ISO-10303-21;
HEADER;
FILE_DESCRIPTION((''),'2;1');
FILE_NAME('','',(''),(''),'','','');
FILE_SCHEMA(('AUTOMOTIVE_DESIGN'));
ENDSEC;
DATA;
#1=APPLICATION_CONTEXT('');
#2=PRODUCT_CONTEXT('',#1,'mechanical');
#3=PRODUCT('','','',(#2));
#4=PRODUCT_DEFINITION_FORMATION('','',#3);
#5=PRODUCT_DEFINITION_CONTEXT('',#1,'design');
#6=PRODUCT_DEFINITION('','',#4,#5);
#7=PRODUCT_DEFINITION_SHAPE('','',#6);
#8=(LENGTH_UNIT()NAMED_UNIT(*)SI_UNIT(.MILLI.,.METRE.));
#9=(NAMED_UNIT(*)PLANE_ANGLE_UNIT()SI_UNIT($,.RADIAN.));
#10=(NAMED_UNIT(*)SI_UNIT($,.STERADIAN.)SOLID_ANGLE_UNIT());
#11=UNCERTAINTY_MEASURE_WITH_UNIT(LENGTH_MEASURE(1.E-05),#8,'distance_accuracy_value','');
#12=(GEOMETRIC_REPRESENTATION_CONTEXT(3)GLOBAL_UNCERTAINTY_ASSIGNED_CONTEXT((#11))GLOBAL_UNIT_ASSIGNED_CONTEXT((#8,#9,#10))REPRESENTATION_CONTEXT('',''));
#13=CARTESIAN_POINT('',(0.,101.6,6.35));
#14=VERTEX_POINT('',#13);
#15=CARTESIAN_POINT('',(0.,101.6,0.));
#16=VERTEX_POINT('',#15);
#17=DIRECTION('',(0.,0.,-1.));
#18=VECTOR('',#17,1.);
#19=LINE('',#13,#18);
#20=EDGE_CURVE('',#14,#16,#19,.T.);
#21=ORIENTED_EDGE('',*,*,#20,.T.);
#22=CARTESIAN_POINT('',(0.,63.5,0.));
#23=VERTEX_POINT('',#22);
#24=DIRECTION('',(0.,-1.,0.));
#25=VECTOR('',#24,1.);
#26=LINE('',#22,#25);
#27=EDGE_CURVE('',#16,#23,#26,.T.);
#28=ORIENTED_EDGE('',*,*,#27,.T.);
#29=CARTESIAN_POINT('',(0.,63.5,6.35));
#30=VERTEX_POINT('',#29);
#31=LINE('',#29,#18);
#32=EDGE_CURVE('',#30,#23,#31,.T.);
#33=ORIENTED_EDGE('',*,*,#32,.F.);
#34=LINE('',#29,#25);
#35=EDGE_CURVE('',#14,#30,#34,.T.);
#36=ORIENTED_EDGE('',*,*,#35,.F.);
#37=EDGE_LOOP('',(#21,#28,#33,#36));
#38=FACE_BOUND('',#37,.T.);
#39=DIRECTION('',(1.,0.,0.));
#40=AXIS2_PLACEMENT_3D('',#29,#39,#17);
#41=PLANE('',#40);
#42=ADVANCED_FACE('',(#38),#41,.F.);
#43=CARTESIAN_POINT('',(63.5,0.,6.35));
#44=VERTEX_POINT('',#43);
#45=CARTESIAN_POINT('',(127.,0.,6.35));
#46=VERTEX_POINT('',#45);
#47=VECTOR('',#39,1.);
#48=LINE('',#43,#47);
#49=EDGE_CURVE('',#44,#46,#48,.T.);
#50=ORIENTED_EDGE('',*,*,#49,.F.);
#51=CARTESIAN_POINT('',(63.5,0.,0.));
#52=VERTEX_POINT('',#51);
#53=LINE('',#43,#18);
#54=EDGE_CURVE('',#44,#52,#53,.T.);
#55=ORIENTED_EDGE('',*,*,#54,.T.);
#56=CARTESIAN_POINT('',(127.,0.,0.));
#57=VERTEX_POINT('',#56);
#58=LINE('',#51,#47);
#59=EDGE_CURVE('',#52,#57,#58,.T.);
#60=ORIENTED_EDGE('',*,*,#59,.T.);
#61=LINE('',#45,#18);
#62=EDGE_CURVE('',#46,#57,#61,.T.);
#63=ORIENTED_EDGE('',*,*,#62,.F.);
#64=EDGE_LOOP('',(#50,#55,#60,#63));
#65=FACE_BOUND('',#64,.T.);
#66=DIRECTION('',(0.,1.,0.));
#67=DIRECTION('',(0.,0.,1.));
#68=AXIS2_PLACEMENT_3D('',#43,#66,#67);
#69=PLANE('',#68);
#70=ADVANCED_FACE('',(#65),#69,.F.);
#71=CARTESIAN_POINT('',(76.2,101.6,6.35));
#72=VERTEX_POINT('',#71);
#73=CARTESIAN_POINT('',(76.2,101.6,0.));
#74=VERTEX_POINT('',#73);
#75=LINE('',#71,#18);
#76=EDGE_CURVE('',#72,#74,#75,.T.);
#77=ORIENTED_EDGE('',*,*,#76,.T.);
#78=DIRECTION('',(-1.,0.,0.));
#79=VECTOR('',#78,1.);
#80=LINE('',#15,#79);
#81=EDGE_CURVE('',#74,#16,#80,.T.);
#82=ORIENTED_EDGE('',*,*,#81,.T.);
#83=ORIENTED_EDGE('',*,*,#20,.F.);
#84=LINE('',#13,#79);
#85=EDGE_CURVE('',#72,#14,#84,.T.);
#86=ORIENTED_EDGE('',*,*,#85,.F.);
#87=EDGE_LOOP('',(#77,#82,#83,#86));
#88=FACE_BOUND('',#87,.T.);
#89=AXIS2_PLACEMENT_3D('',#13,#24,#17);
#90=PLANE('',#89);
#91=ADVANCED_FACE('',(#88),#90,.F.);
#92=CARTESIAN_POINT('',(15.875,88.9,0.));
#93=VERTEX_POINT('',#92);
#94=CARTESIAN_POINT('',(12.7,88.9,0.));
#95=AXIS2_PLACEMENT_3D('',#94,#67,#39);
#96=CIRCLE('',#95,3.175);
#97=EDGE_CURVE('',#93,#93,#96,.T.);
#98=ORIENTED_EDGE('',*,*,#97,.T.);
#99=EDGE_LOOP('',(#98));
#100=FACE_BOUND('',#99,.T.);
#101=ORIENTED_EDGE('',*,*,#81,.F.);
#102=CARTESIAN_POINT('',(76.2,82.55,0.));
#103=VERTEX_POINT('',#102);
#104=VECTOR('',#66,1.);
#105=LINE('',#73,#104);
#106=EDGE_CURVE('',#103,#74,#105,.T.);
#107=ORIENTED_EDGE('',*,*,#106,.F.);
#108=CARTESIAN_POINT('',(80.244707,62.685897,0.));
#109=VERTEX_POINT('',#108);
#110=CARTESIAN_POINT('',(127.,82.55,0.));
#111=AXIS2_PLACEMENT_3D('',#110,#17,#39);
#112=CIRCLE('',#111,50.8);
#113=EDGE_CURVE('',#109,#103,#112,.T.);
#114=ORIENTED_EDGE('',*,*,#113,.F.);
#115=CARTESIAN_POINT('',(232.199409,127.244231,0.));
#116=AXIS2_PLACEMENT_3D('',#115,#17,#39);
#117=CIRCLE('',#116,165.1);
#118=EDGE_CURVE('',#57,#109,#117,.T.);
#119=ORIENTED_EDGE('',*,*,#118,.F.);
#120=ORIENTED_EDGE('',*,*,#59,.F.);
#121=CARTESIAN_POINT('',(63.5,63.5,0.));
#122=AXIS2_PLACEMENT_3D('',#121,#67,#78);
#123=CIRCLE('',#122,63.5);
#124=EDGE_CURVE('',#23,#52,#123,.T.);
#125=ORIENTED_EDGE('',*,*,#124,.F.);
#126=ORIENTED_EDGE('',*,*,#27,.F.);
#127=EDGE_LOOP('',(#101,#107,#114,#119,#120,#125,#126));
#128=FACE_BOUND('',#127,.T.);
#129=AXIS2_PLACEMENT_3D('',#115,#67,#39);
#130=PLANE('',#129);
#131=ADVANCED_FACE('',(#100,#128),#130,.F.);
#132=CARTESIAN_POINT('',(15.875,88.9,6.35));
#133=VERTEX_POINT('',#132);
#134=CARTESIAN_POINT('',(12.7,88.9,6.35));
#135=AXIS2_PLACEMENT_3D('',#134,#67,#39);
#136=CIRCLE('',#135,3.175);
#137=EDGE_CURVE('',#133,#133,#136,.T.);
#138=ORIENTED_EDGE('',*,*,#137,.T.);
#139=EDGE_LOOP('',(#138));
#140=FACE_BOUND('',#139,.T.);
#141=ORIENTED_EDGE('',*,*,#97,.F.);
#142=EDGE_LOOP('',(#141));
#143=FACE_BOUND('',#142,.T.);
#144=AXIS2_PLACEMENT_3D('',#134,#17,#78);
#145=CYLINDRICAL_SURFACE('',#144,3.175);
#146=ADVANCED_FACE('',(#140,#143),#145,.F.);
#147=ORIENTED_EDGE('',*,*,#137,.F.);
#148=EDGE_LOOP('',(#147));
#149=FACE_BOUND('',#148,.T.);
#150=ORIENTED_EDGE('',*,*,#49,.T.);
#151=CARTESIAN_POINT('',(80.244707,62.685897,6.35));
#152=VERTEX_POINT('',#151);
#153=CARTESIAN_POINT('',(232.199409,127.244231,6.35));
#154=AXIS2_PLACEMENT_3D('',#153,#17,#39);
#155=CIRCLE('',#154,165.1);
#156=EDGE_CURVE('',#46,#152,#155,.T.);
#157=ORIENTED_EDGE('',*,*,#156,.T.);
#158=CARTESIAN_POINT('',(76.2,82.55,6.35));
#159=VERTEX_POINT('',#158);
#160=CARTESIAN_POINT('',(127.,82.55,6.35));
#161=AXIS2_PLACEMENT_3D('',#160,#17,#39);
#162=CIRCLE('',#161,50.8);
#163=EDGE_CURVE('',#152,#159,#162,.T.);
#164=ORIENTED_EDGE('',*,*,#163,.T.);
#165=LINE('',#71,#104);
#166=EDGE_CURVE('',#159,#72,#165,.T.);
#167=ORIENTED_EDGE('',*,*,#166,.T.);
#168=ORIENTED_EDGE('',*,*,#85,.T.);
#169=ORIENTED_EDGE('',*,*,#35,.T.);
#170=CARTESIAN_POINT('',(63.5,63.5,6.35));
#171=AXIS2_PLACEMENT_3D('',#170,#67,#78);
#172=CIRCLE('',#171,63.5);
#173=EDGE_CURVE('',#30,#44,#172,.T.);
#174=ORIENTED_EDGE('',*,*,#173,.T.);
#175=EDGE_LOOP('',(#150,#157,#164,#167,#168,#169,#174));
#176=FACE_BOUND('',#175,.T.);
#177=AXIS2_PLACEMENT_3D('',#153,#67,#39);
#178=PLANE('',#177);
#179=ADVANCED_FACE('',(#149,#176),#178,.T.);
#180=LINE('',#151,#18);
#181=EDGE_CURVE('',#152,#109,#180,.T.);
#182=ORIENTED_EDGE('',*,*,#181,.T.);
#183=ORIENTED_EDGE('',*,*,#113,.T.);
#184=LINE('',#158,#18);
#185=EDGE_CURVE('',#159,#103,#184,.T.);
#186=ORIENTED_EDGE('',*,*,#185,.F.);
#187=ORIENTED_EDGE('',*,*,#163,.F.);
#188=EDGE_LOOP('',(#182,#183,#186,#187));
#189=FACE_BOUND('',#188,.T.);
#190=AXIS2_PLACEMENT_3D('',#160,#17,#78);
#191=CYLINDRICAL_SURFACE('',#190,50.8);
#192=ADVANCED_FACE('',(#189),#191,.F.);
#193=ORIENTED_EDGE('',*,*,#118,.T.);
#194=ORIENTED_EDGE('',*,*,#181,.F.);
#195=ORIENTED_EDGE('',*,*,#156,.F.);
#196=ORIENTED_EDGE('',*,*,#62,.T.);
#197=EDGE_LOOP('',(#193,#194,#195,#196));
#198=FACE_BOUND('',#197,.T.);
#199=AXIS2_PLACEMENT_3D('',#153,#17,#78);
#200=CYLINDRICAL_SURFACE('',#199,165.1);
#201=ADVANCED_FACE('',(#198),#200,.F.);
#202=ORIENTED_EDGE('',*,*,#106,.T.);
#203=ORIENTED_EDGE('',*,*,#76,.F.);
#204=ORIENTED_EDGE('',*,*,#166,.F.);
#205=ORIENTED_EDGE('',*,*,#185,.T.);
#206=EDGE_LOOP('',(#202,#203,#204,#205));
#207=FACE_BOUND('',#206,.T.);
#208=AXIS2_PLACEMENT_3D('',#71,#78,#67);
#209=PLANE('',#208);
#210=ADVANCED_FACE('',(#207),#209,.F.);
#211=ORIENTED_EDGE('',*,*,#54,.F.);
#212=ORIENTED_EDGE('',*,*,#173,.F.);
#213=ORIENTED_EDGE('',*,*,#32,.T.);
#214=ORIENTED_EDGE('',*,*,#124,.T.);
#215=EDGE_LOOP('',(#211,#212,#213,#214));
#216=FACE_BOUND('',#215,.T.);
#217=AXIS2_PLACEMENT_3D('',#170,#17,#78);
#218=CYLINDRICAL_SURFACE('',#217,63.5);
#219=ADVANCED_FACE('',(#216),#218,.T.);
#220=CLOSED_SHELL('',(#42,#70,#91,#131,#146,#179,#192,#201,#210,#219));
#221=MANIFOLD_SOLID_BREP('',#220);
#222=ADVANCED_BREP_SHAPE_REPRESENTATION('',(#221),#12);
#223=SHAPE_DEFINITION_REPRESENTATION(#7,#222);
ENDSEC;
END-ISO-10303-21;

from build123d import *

# Parameters (mm, degrees)
SKETCH1_R           = 3.175
BOSS_EXTRUDE1_DEPTH = 6.35


with BuildPart() as part:
    # Sketch1 → Boss-Extrude1 (new body)
    with BuildSketch(Plane.XY):
        with BuildLine():
            Line((63.5, 0), (127, 0))
            ThreePointArc((127, 0), (99.857277989, 28.53470612), (80.244706938, 62.685897436))
            ThreePointArc((80.244706938, 62.685897436), (77.221445945, 72.414145018), (76.2, 82.55))
            Line((76.2, 82.55), (76.2, 101.6))
            Line((76.2, 101.6), (0, 101.6))
            Line((0, 101.6), (0, 63.5))
            ThreePointArc((0, 63.5), (18.598719395, 18.598719395), (63.5, 0))
        make_face()
        with Locations((12.7, 88.9)):
            Circle(SKETCH1_R, mode=Mode.SUBTRACT)
    extrude(amount=BOSS_EXTRUDE1_DEPTH)


solid = part.part
